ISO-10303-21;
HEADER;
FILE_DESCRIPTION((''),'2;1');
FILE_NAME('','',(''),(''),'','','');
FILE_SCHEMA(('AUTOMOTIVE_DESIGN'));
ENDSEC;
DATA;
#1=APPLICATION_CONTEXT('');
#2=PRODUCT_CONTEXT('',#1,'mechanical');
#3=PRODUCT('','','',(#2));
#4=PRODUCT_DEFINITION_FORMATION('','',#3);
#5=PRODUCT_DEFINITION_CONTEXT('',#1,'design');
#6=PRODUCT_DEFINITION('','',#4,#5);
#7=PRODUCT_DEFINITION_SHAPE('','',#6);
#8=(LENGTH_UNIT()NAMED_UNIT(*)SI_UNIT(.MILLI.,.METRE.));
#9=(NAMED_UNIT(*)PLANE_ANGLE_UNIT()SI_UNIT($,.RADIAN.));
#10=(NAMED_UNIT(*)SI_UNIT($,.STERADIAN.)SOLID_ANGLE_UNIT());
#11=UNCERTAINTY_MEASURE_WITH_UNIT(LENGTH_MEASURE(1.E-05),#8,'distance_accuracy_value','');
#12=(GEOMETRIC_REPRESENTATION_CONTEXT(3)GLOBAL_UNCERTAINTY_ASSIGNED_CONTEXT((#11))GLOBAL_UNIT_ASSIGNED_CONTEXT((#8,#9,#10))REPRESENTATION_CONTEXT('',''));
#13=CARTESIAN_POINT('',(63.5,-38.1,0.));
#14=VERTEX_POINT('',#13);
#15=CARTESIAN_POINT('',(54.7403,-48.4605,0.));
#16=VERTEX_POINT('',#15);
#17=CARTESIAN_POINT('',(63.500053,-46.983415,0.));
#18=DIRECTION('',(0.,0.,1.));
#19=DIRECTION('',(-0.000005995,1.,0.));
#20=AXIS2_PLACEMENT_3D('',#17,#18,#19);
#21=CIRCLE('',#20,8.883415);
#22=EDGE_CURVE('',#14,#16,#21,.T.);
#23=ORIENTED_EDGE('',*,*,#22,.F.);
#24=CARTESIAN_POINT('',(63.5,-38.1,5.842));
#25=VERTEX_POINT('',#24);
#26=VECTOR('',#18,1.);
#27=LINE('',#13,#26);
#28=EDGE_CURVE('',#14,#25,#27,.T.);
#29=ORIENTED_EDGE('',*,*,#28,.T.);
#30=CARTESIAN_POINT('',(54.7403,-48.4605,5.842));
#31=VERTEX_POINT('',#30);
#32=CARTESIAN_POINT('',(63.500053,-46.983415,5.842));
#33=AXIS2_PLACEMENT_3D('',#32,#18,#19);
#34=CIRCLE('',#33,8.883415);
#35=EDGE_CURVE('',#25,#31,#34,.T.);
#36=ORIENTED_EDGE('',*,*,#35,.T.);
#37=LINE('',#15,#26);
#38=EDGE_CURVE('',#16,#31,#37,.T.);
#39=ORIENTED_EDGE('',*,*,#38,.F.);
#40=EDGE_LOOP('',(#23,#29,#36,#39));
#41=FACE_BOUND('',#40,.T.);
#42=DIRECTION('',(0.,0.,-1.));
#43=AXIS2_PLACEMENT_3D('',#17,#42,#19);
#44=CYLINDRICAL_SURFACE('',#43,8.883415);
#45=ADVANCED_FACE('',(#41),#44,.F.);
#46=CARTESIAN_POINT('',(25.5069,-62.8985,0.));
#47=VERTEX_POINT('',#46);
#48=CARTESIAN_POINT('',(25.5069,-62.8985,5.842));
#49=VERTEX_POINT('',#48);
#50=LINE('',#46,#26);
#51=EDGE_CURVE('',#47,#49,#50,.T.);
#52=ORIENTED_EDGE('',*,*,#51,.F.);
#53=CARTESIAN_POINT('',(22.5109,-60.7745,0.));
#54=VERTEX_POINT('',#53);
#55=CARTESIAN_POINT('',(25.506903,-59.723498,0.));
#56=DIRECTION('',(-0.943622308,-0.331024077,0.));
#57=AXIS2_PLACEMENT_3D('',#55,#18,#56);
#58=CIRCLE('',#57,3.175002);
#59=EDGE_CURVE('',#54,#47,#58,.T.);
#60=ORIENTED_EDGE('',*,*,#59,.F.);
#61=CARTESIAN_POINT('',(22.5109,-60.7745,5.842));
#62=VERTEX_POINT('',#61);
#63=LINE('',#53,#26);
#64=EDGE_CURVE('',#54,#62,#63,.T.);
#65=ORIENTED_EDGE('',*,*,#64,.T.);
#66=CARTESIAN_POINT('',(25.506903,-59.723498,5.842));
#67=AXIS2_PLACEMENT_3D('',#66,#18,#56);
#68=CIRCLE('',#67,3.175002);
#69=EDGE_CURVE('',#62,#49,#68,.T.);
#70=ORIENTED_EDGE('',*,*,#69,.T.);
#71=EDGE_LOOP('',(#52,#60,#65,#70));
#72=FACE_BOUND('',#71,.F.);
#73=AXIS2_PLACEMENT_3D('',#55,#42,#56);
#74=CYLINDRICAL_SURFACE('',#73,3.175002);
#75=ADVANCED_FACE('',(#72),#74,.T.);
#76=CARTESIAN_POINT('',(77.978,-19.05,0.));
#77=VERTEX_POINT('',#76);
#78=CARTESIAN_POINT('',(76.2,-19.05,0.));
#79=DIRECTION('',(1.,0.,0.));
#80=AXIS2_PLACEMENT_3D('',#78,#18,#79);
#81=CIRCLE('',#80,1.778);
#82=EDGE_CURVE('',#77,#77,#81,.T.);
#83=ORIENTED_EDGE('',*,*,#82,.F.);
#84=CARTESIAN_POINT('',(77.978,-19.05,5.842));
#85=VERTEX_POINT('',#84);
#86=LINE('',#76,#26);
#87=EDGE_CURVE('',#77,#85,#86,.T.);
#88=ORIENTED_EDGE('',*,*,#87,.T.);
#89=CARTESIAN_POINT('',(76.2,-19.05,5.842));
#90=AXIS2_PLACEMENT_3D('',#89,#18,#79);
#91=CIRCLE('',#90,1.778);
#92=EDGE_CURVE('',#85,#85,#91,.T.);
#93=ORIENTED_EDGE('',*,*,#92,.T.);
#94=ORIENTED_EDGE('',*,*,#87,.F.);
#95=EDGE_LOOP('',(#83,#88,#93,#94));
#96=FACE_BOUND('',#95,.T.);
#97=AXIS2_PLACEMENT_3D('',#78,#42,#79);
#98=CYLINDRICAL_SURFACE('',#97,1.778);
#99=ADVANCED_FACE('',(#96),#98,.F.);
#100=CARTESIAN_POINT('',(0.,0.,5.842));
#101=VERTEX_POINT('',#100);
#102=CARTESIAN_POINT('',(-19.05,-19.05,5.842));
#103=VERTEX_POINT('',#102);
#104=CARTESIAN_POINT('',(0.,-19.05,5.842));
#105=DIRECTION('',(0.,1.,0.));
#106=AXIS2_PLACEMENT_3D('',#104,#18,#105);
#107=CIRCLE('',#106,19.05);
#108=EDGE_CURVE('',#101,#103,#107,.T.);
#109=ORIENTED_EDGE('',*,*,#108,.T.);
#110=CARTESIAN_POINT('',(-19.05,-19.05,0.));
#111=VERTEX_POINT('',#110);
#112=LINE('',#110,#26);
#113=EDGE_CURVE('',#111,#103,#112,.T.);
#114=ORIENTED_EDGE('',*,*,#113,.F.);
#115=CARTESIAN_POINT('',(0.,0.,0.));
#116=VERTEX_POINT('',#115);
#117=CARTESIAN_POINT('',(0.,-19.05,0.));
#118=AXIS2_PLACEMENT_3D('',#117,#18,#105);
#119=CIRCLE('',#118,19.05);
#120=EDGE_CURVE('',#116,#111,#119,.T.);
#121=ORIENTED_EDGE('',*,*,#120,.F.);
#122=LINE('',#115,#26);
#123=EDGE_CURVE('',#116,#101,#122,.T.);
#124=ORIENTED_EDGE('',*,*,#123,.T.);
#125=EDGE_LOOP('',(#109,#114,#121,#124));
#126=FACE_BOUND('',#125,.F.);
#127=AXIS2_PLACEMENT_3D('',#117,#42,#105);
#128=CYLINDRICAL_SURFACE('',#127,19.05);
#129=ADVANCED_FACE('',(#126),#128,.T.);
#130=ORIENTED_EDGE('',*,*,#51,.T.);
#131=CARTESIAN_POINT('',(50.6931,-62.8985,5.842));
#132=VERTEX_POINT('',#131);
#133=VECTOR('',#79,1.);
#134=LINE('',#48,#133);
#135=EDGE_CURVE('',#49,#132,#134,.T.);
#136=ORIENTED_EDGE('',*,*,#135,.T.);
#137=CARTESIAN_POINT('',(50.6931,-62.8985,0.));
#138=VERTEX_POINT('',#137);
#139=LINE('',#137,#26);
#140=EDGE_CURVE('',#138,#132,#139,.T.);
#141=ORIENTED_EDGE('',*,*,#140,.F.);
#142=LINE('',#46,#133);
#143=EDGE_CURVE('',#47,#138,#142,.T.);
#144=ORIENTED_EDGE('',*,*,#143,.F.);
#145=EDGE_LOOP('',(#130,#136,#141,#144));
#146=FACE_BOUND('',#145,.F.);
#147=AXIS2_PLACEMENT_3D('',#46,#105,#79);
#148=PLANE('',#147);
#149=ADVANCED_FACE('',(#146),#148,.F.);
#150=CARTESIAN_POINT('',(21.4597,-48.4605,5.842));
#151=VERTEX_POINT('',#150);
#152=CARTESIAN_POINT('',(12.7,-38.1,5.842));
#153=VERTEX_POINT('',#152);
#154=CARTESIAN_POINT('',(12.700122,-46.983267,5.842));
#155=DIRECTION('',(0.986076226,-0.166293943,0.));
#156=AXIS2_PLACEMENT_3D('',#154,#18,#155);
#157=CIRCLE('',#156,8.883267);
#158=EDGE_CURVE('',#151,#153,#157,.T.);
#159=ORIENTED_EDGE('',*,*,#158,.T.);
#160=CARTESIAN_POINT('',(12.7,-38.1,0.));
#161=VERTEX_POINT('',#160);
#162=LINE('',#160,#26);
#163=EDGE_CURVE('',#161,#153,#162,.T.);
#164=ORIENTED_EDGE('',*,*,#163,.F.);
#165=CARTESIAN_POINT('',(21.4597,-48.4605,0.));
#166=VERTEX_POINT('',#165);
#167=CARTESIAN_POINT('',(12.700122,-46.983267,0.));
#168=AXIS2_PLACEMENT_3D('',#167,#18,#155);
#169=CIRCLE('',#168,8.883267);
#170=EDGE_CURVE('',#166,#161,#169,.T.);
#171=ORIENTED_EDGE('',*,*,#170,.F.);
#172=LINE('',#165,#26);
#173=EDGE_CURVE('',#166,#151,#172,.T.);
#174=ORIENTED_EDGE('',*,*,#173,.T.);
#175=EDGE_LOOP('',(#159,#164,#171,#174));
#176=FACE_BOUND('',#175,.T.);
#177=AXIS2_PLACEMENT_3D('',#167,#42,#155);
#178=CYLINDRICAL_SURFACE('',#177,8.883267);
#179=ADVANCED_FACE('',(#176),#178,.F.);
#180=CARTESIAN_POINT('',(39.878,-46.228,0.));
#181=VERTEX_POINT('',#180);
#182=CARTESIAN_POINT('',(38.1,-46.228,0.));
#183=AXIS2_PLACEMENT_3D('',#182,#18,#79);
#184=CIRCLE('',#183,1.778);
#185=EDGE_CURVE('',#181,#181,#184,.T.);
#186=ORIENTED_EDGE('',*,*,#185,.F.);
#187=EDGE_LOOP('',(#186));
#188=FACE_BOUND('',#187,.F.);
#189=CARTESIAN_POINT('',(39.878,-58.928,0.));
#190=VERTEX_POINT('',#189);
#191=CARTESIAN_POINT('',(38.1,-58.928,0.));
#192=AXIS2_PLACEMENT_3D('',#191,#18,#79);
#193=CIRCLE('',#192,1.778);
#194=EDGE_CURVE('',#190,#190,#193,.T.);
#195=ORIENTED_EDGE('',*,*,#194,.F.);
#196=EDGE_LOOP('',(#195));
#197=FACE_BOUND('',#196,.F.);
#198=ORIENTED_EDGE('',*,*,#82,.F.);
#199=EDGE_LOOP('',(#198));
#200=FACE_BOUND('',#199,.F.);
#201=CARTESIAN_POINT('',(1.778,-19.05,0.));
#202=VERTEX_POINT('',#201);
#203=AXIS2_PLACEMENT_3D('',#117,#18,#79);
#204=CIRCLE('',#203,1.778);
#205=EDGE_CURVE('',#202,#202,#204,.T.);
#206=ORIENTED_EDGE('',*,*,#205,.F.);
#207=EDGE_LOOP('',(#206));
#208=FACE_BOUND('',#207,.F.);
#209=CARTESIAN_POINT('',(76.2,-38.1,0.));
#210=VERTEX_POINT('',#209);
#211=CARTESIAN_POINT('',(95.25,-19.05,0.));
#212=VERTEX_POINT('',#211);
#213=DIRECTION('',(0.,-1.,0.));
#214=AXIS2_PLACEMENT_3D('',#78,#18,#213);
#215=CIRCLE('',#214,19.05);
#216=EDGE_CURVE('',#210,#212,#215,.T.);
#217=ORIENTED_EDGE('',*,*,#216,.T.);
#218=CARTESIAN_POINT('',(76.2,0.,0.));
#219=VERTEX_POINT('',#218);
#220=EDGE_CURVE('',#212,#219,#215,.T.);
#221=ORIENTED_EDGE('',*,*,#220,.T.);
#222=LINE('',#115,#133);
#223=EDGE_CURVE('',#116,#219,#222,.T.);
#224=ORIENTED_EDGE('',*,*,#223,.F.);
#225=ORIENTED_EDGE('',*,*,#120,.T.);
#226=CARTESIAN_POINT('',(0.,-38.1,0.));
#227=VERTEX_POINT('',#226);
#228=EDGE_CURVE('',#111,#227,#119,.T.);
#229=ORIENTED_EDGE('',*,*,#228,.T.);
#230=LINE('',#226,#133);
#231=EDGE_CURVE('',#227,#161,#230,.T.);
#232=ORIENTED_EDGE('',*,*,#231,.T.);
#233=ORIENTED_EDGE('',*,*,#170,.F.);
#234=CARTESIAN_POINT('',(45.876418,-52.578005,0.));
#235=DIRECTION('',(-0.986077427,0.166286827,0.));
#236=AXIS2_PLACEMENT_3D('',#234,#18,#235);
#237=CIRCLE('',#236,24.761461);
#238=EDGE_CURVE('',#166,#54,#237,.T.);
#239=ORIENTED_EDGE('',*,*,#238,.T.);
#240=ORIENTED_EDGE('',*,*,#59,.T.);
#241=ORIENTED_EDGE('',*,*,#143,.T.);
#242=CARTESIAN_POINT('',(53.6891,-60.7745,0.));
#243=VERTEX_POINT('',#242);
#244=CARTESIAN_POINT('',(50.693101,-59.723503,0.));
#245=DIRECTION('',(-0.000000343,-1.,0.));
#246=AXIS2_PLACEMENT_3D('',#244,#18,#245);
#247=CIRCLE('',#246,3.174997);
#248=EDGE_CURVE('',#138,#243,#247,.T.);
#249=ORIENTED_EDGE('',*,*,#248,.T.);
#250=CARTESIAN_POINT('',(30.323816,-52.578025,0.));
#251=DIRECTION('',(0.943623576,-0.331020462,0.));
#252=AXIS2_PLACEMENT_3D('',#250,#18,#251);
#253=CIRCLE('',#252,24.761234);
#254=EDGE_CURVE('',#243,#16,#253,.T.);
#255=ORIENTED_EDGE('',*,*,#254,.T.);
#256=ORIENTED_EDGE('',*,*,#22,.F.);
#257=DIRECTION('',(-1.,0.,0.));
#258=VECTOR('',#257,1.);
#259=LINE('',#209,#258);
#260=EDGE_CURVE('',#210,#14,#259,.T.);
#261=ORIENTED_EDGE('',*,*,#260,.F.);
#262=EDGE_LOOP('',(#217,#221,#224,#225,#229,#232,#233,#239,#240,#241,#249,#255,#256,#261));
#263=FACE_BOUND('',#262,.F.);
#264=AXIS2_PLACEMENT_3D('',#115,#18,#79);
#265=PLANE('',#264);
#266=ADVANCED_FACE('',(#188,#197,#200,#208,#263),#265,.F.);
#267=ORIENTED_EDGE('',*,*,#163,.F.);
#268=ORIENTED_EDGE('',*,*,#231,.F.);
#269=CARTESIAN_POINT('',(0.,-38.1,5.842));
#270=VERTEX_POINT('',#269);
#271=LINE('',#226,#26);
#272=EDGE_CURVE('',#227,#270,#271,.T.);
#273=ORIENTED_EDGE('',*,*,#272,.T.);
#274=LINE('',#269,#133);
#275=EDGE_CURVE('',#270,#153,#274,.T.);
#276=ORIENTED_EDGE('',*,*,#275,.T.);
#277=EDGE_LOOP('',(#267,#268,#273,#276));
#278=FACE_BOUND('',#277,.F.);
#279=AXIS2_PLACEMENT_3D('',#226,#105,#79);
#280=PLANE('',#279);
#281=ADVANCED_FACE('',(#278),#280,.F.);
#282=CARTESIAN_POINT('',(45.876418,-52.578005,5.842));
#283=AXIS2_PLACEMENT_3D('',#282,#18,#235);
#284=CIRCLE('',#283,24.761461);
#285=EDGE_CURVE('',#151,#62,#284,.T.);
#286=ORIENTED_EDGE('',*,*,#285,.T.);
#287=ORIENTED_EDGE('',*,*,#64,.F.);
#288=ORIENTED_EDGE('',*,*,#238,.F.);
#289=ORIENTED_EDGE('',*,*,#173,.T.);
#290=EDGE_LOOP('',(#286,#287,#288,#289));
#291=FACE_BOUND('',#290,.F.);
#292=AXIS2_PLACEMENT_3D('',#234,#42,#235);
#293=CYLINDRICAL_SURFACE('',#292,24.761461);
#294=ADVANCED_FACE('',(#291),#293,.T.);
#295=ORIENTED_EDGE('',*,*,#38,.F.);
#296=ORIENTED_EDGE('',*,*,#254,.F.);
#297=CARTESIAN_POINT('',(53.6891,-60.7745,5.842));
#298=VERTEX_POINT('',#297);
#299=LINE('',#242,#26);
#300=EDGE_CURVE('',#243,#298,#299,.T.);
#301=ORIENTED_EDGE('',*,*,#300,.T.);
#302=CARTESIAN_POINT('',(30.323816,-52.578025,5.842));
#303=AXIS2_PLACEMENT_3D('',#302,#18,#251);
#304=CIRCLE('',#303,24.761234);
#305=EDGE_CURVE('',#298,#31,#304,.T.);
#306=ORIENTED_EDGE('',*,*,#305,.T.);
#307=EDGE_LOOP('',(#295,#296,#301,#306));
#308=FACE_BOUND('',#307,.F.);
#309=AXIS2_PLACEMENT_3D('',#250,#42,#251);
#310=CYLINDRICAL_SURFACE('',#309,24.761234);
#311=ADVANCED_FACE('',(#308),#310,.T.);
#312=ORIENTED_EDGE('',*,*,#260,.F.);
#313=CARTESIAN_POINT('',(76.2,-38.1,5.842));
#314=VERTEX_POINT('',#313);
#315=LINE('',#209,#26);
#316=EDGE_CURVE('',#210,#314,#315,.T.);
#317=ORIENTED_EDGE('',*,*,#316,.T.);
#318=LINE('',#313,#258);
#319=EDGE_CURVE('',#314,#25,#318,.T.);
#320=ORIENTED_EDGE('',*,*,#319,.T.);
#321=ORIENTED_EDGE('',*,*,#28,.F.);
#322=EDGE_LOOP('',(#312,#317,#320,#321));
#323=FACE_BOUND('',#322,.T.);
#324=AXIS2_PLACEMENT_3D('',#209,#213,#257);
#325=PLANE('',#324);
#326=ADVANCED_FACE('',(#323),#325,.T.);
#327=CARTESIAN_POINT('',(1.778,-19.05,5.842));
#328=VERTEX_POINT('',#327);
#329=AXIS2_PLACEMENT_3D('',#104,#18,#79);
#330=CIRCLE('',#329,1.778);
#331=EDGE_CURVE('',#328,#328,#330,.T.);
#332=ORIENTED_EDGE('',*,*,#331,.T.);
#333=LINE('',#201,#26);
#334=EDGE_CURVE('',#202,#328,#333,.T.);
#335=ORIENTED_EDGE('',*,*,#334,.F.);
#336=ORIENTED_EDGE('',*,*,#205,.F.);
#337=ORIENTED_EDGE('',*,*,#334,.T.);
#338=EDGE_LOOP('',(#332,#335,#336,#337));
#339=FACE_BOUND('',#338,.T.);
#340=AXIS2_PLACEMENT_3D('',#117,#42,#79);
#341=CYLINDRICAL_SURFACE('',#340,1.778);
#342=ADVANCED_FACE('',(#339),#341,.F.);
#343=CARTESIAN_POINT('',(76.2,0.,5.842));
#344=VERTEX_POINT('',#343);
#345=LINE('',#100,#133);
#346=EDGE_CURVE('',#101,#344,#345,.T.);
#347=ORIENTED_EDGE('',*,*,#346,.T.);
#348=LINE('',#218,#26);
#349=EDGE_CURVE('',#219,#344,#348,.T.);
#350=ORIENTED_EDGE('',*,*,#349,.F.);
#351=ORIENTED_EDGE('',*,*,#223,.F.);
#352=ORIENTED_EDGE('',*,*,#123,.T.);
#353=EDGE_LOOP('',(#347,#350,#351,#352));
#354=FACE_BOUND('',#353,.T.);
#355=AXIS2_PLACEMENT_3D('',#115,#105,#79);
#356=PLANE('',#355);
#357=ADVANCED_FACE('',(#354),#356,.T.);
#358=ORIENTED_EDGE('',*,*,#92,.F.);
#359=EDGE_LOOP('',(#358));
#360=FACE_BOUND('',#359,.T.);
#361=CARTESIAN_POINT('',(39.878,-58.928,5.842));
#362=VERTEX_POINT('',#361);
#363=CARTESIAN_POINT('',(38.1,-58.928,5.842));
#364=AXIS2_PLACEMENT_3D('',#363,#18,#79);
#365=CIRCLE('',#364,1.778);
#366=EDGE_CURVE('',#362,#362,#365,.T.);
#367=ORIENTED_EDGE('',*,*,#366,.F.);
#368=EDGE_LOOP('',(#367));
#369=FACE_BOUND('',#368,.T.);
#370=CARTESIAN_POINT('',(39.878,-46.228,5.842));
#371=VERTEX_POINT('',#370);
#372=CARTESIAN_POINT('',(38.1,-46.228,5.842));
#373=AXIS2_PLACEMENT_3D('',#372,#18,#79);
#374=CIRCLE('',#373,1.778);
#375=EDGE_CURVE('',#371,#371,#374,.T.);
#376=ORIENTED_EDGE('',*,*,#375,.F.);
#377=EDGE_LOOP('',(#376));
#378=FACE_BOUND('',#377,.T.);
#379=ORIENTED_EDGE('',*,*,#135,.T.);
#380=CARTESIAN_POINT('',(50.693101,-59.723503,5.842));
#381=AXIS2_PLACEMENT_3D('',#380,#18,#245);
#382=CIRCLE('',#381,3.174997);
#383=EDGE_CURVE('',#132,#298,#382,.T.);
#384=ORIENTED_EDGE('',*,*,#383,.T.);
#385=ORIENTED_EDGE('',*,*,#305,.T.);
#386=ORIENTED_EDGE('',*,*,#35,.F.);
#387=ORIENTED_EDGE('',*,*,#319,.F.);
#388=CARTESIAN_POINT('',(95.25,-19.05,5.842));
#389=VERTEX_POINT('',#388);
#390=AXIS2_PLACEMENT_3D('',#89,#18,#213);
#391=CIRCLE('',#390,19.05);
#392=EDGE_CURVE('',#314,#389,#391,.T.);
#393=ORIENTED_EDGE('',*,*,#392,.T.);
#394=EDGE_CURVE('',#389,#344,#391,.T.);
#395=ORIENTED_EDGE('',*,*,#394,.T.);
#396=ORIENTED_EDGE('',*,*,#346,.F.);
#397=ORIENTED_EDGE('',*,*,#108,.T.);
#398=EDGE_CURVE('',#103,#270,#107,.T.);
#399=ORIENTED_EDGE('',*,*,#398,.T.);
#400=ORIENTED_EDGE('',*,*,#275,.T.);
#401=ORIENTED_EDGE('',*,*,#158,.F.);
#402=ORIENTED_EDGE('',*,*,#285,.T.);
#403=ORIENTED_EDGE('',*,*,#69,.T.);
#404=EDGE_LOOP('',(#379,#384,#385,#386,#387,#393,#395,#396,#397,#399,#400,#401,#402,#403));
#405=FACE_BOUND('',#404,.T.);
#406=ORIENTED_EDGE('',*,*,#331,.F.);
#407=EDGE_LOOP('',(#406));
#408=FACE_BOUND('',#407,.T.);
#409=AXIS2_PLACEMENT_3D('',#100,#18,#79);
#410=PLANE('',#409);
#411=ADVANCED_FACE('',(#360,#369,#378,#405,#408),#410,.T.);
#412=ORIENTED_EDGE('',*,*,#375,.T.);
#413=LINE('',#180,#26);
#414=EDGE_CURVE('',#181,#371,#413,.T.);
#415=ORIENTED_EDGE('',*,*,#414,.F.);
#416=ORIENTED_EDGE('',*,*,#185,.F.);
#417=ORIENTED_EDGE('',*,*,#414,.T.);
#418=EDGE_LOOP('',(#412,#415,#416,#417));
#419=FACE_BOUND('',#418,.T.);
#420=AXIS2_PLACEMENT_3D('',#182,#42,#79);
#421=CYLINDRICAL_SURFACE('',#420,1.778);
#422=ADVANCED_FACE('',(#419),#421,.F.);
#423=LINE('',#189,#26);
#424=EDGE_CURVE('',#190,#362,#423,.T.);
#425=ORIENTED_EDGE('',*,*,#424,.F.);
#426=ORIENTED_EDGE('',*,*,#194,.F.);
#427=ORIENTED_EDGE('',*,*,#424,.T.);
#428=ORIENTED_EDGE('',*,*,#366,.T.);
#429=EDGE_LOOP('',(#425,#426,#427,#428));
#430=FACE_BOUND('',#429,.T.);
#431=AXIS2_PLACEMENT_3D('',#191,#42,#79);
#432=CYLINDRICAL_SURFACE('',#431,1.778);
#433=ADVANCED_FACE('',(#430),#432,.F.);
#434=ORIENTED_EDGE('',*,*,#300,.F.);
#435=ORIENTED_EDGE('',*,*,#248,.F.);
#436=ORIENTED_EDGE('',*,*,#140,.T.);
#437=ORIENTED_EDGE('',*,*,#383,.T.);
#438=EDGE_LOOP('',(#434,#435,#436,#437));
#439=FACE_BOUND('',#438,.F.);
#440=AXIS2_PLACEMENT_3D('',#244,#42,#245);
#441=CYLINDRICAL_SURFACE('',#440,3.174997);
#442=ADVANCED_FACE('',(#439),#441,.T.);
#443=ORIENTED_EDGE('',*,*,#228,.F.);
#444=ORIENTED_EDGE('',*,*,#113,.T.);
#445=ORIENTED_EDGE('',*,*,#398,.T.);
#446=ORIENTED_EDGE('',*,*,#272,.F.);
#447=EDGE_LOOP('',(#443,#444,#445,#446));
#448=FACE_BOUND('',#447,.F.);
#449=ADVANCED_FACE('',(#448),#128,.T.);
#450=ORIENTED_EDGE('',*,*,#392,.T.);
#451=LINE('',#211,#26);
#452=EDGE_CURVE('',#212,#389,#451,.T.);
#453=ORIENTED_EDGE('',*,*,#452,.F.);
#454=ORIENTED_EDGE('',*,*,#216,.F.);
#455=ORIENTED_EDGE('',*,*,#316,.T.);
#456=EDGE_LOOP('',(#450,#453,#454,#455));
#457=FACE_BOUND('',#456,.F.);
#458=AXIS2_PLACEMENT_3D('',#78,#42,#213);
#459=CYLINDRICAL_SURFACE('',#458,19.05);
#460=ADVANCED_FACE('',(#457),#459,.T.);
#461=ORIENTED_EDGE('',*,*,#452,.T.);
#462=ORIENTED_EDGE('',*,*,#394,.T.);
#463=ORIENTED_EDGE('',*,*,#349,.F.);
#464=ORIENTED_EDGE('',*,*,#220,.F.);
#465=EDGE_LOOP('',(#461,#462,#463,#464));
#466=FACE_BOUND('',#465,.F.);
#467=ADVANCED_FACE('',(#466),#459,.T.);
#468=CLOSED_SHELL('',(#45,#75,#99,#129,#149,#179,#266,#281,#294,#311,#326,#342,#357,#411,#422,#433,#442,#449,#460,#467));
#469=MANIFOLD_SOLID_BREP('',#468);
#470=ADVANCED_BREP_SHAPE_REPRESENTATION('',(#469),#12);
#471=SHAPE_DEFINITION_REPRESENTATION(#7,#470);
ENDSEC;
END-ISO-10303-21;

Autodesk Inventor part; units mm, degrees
ref_plane "YZ Plane" through (0, 0, 0) normal (1, 0, 0) x (0, 1, 0)
ref_plane "XZ Plane" through (0, 0, 0) normal (0, 1, 0) x (-1, 0, 0)
ref_plane "XY Plane" through (0, 0, 0) normal (0, 0, 1) x (1, 0, 0)
sketch "Sketch1" plane through (0, 0, 0) normal (0, 0, 1) x (1, 0, 0)
  line L0 (0, 0) -> (76.2, 0)
  arc A0 (0, 0) -> (0, -38.1) centre (0, -19.05) ccw
  arc A1 (76.2, -38.1) -> (76.2, 0) centre (76.2, -19.05) ccw
  line L1 (76.2, -38.1) -> (63.5, -38.1)
  line L2 (0, -38.1) -> (12.7, -38.1)
  arc A2 (21.4597, -48.4605) -> (12.7, -38.1) centre (12.7, -46.9833) ccw
  arc A3 (21.4597, -48.4605) -> (22.5109, -60.7745) centre (45.8763, -52.578) ccw
  arc A4 (22.5109, -60.7745) -> (25.5069, -62.8985) centre (25.5069, -59.7235) ccw
  line L3 (25.5069, -62.8985) -> (50.6931, -62.8985)
  circle A5 centre (0, -19.05) radius 1.778
  circle A6 centre (76.2, -19.05) radius 1.778
  line L4 (-19.05, -19.05) -> (-19.05, 0)
  line L5 (95.25, -19.05) -> (95.25, 0)
  line L6 (30.3237, -52.578) -> (45.8763, -52.578)
  circle A7 centre (38.1, -46.228) radius 1.778
  circle A8 centre (38.1, -58.928) radius 1.778
  arc A9 (63.5, -38.1) -> (54.7403, -48.4605) centre (63.5, -46.9833) ccw
  arc A10 (53.6891, -60.7745) -> (54.7403, -48.4605) centre (30.3237, -52.578) ccw
  arc A11 (50.6931, -62.8985) -> (53.6891, -60.7745) centre (50.6931, -59.7235) ccw
  point P0 (23.3871, -62.9395)
  dimension "d0" = 76.2
  dimension "d1" = 38.1
  dimension "d5" = 12.7
  dimension "d6" = 12.7
  dimension "d8" = 3.175
  dimension "d9" = 3.556
  dimension "d10" = 3.556
  dimension "d14" = 19.05
  dimension "d15" = 19.05
  dimension "d16" = 3.556
  dimension "d17" = 6.35
  dimension "d18" = 3.556
  dimension "d19" = 12.7
  dimension "d22" = 6.35
extrude "Extrusion3" add sketch "Sketch1" along normal blind 5.842
properties part number "casing"
